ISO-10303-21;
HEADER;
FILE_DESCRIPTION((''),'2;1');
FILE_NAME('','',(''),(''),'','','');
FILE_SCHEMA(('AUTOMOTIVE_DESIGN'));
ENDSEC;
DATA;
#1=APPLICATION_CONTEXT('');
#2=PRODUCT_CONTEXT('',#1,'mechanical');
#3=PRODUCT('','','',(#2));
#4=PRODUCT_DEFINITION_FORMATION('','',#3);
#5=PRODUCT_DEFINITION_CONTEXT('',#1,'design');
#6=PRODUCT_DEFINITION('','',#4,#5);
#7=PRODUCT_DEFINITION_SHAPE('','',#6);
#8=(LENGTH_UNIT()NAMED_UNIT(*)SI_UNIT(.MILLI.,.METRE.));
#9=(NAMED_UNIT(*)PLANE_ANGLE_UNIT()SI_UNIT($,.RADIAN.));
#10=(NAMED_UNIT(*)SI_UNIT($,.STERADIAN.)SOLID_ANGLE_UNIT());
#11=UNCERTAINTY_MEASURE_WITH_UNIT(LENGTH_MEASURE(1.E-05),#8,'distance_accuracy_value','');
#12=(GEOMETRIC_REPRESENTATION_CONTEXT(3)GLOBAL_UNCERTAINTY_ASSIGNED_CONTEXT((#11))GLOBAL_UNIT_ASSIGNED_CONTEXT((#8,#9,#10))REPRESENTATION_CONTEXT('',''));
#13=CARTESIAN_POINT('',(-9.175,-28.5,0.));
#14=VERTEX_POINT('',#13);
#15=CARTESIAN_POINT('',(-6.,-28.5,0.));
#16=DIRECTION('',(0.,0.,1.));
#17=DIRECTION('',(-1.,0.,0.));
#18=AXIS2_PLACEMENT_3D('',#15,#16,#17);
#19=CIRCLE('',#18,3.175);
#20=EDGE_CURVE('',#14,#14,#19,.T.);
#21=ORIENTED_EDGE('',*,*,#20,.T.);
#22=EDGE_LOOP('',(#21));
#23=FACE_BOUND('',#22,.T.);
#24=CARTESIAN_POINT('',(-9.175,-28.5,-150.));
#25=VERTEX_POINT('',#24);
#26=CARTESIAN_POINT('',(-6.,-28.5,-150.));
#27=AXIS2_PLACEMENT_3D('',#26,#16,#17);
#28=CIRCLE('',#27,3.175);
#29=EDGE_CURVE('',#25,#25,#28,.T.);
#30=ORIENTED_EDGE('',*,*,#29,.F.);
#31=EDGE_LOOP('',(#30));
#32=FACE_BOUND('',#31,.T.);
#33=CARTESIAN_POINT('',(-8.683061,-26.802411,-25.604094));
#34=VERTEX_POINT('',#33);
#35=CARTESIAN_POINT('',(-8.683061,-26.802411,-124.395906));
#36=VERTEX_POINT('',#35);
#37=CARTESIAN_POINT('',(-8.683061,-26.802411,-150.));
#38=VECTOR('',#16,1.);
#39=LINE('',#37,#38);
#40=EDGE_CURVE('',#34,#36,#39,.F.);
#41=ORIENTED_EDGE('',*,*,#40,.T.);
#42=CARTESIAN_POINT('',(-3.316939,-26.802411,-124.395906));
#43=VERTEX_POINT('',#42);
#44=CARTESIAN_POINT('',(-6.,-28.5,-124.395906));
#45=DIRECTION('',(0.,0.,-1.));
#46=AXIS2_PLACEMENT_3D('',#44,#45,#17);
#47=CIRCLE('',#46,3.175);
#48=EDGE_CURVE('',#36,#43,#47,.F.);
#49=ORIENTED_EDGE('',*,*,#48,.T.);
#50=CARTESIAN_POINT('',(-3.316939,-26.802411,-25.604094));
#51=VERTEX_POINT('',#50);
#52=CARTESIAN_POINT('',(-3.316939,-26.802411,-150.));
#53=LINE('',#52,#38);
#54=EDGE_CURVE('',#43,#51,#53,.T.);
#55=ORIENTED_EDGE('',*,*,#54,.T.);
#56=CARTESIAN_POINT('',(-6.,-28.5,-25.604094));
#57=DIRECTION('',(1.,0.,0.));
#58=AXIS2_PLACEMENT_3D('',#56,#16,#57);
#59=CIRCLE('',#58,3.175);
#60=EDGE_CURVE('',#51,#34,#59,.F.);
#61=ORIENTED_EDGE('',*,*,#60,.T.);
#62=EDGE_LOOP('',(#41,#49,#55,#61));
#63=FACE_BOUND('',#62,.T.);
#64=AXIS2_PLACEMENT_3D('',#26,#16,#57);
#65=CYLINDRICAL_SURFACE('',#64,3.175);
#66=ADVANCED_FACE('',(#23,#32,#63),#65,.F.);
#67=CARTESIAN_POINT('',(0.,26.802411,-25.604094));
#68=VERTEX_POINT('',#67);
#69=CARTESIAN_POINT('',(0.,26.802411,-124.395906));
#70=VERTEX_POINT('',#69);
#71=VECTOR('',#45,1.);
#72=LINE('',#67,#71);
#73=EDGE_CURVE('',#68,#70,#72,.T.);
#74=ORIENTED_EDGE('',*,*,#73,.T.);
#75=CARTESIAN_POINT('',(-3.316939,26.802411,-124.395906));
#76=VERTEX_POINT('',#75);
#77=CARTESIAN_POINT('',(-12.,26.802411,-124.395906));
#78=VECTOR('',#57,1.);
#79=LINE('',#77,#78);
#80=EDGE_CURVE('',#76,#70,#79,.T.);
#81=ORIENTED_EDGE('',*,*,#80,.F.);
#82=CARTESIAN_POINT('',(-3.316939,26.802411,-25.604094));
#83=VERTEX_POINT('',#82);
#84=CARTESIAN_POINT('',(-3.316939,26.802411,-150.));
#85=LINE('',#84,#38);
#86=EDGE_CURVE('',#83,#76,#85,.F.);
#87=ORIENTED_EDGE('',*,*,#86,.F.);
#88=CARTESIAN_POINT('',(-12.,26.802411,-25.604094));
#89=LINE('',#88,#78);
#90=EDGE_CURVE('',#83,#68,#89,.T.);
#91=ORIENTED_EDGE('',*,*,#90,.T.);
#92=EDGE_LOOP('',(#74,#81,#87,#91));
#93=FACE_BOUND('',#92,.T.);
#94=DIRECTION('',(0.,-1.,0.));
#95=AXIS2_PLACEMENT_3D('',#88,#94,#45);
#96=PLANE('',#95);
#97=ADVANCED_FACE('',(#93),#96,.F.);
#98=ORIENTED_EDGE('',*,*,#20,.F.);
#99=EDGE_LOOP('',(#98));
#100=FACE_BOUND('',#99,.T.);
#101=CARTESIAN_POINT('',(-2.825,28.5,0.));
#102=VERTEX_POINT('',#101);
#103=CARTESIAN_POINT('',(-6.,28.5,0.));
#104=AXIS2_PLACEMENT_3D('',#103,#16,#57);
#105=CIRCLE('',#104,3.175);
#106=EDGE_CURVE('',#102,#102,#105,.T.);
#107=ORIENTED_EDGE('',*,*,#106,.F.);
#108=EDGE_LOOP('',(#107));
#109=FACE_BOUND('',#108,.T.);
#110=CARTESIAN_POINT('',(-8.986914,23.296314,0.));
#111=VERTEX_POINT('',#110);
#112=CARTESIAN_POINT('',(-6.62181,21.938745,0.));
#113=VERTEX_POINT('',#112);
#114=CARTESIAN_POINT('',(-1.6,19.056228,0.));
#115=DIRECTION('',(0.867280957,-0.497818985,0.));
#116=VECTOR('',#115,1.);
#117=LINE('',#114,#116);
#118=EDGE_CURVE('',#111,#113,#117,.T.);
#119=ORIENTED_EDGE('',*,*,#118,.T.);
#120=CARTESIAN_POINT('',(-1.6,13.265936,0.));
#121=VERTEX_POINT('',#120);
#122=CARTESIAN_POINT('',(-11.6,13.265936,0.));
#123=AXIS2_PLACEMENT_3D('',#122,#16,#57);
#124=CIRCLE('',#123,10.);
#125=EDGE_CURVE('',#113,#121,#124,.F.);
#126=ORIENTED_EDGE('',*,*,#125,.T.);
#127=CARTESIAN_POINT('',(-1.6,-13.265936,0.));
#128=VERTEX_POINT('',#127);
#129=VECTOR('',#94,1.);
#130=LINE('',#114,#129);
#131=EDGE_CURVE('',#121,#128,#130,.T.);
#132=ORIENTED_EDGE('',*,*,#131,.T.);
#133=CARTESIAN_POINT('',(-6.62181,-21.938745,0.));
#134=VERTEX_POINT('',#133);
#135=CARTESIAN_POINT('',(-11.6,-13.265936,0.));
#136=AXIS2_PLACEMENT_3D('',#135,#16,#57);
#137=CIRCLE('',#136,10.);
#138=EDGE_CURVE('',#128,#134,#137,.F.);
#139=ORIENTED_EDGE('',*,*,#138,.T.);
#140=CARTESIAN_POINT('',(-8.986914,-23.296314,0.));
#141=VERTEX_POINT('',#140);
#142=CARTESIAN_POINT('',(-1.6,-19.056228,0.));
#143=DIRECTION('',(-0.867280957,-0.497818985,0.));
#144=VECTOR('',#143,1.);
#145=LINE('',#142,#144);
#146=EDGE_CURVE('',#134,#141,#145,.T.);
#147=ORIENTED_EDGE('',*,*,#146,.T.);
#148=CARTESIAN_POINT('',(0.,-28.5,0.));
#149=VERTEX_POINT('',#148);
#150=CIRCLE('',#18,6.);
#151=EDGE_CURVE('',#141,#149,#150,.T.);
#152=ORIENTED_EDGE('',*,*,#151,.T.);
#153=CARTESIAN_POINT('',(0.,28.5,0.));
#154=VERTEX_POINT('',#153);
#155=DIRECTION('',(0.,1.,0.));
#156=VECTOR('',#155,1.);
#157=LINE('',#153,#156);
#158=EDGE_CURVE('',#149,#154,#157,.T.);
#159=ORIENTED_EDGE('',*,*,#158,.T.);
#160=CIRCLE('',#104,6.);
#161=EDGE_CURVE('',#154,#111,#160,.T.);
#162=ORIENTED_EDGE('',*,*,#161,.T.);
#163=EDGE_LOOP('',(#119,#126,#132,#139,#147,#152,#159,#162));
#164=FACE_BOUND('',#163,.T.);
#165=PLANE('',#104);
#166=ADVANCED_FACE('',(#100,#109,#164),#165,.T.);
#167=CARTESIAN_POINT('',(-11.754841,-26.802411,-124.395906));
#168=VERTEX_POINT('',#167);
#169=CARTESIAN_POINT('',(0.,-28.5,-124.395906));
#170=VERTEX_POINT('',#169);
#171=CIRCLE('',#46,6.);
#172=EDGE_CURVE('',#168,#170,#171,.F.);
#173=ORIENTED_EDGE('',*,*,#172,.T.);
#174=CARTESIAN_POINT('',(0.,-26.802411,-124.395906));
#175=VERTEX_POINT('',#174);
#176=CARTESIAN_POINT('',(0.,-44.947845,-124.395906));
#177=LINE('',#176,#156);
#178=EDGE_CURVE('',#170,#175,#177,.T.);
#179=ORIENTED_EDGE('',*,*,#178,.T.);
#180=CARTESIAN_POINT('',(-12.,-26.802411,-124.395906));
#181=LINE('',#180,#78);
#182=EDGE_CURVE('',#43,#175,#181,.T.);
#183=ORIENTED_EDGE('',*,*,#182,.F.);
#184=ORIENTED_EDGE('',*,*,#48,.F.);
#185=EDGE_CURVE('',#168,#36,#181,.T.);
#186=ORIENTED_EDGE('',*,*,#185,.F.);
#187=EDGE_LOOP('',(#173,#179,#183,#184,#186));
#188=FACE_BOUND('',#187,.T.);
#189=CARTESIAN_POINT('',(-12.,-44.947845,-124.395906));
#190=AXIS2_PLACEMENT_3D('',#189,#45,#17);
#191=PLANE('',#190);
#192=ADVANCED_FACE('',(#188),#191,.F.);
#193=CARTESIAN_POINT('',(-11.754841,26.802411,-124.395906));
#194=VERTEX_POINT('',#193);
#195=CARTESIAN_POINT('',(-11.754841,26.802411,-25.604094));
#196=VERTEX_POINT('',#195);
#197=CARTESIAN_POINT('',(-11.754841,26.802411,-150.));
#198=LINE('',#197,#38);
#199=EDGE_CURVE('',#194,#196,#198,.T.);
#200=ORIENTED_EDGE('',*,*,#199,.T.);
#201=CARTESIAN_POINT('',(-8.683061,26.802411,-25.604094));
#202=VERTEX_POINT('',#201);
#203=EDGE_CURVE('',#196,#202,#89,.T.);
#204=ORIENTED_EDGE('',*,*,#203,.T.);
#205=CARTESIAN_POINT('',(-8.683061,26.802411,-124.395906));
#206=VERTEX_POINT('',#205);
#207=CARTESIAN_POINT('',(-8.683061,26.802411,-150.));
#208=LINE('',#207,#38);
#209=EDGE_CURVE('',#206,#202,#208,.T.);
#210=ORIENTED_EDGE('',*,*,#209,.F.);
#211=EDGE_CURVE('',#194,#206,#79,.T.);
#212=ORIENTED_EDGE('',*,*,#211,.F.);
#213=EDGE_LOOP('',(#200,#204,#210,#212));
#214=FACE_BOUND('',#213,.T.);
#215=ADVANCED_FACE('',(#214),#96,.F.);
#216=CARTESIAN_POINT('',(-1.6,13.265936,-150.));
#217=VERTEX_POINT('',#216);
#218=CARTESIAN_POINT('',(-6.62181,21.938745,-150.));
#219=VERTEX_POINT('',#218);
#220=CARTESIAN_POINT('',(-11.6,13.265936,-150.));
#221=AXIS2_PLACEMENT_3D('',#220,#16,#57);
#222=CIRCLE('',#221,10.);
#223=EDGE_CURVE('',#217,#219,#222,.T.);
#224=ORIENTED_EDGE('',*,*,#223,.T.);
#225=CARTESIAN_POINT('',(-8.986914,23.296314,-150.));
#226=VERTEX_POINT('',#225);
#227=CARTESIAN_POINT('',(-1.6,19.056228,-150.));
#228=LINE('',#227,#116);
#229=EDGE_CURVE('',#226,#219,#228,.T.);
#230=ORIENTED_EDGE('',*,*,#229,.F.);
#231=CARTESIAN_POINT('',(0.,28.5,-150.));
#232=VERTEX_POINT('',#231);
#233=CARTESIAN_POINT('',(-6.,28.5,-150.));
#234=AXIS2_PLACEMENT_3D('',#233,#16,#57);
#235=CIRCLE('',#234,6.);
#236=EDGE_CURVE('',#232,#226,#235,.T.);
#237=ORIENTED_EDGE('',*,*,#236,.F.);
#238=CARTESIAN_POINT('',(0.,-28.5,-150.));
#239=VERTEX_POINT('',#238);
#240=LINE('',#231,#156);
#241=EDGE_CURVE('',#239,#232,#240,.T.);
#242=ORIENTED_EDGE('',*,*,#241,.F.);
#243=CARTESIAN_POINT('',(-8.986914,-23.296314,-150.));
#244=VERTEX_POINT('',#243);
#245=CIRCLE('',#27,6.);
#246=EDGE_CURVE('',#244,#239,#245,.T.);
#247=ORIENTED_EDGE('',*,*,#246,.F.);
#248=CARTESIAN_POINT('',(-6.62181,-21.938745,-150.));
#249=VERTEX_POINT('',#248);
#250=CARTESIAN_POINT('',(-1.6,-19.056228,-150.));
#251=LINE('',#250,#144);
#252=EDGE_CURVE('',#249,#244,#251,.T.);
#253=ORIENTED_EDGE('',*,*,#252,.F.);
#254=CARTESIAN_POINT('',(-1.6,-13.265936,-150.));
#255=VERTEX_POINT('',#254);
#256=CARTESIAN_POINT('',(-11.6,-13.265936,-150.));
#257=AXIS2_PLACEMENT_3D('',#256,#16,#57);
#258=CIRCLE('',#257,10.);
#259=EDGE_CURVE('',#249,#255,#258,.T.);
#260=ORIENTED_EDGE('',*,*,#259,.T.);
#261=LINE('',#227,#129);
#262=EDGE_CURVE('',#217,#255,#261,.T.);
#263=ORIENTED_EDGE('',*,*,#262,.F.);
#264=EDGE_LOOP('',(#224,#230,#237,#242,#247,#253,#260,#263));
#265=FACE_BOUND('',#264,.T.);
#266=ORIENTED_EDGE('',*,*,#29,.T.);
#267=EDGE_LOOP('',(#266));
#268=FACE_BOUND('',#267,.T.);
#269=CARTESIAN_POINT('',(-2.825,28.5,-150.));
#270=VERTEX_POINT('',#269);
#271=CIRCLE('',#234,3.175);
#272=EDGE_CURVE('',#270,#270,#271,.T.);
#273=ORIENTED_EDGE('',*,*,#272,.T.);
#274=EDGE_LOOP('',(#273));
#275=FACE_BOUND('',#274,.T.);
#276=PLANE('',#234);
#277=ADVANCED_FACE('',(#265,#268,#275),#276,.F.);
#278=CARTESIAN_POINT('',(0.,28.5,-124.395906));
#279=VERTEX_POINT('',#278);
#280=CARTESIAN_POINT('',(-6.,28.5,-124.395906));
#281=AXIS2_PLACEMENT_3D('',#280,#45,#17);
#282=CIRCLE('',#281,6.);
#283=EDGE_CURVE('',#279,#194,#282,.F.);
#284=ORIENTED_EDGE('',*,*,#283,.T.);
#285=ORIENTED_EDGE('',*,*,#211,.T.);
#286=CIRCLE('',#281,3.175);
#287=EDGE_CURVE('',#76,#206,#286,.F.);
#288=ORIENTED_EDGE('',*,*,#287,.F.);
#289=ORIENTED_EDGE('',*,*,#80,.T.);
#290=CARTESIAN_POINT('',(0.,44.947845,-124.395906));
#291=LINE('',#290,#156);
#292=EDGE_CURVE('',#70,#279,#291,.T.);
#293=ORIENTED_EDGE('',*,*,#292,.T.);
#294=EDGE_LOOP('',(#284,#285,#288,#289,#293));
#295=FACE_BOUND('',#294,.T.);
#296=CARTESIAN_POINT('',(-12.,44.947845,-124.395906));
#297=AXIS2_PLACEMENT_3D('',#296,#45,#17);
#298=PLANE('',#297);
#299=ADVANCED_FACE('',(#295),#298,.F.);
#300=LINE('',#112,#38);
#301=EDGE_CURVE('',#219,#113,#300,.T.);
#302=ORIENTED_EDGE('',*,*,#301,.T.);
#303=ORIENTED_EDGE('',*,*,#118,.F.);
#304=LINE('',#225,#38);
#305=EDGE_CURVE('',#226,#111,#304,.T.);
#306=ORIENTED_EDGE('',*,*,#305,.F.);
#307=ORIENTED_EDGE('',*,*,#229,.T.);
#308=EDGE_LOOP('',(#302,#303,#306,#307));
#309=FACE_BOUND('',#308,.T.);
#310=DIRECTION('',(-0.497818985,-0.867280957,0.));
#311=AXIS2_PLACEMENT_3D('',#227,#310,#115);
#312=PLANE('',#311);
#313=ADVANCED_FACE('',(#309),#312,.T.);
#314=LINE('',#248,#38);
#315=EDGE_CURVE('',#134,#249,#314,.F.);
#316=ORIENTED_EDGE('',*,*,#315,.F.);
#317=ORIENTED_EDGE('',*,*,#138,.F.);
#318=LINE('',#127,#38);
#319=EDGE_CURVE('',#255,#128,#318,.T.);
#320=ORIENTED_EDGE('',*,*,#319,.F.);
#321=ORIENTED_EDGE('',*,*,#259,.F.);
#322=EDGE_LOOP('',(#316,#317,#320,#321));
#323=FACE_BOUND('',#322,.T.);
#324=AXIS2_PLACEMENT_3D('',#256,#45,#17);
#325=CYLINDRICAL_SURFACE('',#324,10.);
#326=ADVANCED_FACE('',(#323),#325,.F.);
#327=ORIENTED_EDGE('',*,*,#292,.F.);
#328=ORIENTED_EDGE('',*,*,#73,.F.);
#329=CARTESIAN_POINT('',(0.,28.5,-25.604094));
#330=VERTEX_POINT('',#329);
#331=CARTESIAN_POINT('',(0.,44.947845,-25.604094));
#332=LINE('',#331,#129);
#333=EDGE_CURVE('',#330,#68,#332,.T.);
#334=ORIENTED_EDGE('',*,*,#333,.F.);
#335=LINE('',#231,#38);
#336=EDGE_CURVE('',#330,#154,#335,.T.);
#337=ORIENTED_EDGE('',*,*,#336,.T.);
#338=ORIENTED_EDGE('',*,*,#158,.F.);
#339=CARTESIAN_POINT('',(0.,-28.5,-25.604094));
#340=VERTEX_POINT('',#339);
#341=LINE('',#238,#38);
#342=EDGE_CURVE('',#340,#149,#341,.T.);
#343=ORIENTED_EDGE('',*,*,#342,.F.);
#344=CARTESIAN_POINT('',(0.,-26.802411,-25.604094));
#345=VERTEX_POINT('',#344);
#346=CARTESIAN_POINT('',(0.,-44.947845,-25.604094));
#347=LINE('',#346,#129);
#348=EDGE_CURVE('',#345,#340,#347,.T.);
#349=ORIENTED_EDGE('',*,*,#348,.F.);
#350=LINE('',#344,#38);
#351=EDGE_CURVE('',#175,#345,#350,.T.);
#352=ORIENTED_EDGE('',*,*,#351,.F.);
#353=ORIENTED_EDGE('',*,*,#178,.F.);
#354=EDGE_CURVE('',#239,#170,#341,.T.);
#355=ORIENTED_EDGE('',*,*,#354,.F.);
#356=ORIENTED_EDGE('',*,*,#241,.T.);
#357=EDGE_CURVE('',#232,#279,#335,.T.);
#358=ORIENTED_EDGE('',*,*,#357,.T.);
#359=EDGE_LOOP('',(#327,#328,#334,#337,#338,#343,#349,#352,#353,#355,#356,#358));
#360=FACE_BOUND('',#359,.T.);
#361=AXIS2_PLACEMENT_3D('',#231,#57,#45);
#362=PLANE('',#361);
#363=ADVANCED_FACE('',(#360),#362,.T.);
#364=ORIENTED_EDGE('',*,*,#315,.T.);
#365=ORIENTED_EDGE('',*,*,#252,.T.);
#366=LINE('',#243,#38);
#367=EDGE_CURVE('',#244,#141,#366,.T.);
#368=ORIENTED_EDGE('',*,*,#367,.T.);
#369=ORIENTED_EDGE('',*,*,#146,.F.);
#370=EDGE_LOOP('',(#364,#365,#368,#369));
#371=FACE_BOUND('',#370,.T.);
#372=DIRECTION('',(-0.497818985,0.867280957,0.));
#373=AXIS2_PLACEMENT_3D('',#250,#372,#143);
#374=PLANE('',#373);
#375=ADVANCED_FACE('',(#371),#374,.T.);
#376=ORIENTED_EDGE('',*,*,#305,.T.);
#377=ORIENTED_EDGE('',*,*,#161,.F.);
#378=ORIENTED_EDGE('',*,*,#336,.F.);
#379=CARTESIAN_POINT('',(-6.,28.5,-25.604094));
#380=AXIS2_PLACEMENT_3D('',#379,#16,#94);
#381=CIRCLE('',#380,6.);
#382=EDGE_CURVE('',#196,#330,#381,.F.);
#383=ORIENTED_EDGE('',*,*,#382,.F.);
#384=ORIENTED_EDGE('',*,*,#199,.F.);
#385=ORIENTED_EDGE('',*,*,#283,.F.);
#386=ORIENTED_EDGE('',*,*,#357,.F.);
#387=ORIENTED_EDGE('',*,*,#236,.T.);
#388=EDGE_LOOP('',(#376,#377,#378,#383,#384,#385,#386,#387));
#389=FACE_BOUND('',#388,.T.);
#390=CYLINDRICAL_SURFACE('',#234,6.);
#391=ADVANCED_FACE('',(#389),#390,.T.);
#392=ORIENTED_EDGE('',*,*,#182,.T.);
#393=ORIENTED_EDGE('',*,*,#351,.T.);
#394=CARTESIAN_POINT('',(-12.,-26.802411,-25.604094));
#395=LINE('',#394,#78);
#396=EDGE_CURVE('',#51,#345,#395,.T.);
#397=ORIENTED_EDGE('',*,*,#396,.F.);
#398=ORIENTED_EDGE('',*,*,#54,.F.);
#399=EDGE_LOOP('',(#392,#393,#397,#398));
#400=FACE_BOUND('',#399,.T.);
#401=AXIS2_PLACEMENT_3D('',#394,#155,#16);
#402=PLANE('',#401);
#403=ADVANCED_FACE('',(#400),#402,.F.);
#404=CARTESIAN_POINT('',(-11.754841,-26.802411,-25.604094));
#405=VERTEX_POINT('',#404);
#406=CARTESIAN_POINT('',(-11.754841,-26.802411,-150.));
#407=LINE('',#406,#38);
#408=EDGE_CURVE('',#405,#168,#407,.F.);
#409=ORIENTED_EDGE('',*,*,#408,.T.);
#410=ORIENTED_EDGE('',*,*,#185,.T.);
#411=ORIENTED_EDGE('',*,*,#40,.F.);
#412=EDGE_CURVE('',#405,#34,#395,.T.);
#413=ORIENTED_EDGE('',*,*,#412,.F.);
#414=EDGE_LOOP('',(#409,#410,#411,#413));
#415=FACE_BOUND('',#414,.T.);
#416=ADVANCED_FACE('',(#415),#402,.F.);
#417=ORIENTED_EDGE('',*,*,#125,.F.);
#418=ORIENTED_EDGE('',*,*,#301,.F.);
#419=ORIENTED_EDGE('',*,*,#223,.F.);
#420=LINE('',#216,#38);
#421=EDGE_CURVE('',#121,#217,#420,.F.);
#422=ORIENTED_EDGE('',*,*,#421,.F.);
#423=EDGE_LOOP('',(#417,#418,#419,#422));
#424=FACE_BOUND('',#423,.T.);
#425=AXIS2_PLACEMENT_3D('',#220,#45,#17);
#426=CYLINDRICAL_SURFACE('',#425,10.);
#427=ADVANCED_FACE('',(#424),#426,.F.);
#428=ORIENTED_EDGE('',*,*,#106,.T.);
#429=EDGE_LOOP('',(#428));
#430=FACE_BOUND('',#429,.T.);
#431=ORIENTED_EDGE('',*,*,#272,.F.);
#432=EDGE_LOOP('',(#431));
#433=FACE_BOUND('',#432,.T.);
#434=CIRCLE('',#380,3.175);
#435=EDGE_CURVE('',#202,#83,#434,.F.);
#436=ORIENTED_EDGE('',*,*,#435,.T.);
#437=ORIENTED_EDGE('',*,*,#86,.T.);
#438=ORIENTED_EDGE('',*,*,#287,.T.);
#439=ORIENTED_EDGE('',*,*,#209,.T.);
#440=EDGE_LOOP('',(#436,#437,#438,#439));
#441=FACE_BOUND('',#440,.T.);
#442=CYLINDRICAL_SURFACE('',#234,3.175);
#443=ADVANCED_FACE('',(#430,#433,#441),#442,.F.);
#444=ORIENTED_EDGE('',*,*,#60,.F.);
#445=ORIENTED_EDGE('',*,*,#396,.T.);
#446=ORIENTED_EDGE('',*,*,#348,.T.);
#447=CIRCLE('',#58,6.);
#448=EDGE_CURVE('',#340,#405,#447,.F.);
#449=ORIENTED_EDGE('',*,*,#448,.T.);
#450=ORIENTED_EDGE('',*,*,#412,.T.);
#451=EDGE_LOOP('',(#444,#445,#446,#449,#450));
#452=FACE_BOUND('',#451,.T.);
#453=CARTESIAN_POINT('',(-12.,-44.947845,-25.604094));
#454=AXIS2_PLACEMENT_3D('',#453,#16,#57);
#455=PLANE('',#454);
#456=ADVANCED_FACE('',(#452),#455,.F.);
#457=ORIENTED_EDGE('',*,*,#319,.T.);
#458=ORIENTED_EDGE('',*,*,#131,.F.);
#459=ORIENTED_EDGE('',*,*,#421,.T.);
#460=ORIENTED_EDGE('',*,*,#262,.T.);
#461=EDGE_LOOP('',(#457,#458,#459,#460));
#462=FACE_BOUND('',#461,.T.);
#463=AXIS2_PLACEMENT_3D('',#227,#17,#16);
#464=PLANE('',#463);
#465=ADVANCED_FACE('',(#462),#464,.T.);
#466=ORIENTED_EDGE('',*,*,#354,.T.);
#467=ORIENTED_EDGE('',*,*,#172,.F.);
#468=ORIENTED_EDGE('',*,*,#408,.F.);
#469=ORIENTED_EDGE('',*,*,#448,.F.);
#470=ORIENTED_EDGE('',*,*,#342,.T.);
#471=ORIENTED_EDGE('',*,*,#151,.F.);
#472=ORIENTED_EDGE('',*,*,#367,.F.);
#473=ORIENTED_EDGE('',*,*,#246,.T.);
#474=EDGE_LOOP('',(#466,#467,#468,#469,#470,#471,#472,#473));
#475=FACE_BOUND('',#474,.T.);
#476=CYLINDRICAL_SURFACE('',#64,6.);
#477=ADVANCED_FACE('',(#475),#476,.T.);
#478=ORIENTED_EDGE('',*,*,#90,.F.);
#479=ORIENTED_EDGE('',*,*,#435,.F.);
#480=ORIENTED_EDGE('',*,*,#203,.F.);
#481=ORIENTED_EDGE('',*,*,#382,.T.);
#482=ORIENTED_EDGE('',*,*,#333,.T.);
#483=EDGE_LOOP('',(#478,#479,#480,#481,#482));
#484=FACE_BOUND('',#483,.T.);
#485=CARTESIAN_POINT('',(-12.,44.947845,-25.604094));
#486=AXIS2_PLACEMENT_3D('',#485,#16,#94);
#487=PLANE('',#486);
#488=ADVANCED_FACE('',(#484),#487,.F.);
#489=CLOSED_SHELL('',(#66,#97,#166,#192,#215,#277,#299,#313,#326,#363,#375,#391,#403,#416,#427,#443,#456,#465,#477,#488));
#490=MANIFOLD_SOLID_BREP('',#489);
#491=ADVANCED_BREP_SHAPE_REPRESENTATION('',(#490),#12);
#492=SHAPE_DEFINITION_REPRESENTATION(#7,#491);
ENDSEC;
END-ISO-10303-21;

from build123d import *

# Parameters (mm, degrees)
CROQUIS1_R              = 3.175
SALIENTE_EXTRUIR1_DEPTH = 150
REDONDEO1_R             = 10
CROQUIS3_W              = 98.791812306
CROQUIS3_H              = 18.145434914
CORTAR_EXTRUIR2_DEPTH   = 155.383451186


with BuildPart() as part:
    # Croquis1 → Saliente-Extruir1 (new body)
    with BuildSketch(Plane.XY):
        with BuildLine():
            Line((-1.6, 19.056228096), (-8.98691391, 23.296314259))
            ThreePointArc((-8.98691391, 23.296314259), (-9.006535925, 33.69237342), (0, 28.5))
            Line((0, 28.5), (0, -28.5))
            ThreePointArc((0, -28.5), (-9.006535925, -33.69237342), (-8.98691391, -23.296314259))
            Line((-8.98691391, -23.296314259), (-1.6, -19.056228096))
            Line((-1.6, -19.056228096), (-1.6, 19.056228096))
        make_face()
        with Locations((-6, 28.5)):
            Circle(CROQUIS1_R, mode=Mode.SUBTRACT)
        with Locations(Location((-6, -28.5, 0), (0, 0, 180))):
            Circle(CROQUIS1_R, mode=Mode.SUBTRACT)
    extrude(amount=-SALIENTE_EXTRUIR1_DEPTH)

    # Redondeo1
    redondeo1_edges = [part.edges().sort_by_distance(p)[0] for p in [
        (-1.6, -19.056228096, -75),
        (-1.6, 19.056228096, -75),
    ]]
    fillet(redondeo1_edges, radius=REDONDEO1_R)

    # Croquis3 → Cortar-Extruir2 (cut, through all)
    with BuildSketch(Plane(origin=(0, 0, 0), x_dir=(0, 0, -1), z_dir=(1, 0, 0))):
        with Locations((75, 35.875128035)):
            Rectangle(CROQUIS3_W, CROQUIS3_H)
        with Locations((75, -35.875128035)):
            Rectangle(CROQUIS3_W, CROQUIS3_H)
    extrude(amount=-CORTAR_EXTRUIR2_DEPTH, mode=Mode.SUBTRACT)


solid = part.part
